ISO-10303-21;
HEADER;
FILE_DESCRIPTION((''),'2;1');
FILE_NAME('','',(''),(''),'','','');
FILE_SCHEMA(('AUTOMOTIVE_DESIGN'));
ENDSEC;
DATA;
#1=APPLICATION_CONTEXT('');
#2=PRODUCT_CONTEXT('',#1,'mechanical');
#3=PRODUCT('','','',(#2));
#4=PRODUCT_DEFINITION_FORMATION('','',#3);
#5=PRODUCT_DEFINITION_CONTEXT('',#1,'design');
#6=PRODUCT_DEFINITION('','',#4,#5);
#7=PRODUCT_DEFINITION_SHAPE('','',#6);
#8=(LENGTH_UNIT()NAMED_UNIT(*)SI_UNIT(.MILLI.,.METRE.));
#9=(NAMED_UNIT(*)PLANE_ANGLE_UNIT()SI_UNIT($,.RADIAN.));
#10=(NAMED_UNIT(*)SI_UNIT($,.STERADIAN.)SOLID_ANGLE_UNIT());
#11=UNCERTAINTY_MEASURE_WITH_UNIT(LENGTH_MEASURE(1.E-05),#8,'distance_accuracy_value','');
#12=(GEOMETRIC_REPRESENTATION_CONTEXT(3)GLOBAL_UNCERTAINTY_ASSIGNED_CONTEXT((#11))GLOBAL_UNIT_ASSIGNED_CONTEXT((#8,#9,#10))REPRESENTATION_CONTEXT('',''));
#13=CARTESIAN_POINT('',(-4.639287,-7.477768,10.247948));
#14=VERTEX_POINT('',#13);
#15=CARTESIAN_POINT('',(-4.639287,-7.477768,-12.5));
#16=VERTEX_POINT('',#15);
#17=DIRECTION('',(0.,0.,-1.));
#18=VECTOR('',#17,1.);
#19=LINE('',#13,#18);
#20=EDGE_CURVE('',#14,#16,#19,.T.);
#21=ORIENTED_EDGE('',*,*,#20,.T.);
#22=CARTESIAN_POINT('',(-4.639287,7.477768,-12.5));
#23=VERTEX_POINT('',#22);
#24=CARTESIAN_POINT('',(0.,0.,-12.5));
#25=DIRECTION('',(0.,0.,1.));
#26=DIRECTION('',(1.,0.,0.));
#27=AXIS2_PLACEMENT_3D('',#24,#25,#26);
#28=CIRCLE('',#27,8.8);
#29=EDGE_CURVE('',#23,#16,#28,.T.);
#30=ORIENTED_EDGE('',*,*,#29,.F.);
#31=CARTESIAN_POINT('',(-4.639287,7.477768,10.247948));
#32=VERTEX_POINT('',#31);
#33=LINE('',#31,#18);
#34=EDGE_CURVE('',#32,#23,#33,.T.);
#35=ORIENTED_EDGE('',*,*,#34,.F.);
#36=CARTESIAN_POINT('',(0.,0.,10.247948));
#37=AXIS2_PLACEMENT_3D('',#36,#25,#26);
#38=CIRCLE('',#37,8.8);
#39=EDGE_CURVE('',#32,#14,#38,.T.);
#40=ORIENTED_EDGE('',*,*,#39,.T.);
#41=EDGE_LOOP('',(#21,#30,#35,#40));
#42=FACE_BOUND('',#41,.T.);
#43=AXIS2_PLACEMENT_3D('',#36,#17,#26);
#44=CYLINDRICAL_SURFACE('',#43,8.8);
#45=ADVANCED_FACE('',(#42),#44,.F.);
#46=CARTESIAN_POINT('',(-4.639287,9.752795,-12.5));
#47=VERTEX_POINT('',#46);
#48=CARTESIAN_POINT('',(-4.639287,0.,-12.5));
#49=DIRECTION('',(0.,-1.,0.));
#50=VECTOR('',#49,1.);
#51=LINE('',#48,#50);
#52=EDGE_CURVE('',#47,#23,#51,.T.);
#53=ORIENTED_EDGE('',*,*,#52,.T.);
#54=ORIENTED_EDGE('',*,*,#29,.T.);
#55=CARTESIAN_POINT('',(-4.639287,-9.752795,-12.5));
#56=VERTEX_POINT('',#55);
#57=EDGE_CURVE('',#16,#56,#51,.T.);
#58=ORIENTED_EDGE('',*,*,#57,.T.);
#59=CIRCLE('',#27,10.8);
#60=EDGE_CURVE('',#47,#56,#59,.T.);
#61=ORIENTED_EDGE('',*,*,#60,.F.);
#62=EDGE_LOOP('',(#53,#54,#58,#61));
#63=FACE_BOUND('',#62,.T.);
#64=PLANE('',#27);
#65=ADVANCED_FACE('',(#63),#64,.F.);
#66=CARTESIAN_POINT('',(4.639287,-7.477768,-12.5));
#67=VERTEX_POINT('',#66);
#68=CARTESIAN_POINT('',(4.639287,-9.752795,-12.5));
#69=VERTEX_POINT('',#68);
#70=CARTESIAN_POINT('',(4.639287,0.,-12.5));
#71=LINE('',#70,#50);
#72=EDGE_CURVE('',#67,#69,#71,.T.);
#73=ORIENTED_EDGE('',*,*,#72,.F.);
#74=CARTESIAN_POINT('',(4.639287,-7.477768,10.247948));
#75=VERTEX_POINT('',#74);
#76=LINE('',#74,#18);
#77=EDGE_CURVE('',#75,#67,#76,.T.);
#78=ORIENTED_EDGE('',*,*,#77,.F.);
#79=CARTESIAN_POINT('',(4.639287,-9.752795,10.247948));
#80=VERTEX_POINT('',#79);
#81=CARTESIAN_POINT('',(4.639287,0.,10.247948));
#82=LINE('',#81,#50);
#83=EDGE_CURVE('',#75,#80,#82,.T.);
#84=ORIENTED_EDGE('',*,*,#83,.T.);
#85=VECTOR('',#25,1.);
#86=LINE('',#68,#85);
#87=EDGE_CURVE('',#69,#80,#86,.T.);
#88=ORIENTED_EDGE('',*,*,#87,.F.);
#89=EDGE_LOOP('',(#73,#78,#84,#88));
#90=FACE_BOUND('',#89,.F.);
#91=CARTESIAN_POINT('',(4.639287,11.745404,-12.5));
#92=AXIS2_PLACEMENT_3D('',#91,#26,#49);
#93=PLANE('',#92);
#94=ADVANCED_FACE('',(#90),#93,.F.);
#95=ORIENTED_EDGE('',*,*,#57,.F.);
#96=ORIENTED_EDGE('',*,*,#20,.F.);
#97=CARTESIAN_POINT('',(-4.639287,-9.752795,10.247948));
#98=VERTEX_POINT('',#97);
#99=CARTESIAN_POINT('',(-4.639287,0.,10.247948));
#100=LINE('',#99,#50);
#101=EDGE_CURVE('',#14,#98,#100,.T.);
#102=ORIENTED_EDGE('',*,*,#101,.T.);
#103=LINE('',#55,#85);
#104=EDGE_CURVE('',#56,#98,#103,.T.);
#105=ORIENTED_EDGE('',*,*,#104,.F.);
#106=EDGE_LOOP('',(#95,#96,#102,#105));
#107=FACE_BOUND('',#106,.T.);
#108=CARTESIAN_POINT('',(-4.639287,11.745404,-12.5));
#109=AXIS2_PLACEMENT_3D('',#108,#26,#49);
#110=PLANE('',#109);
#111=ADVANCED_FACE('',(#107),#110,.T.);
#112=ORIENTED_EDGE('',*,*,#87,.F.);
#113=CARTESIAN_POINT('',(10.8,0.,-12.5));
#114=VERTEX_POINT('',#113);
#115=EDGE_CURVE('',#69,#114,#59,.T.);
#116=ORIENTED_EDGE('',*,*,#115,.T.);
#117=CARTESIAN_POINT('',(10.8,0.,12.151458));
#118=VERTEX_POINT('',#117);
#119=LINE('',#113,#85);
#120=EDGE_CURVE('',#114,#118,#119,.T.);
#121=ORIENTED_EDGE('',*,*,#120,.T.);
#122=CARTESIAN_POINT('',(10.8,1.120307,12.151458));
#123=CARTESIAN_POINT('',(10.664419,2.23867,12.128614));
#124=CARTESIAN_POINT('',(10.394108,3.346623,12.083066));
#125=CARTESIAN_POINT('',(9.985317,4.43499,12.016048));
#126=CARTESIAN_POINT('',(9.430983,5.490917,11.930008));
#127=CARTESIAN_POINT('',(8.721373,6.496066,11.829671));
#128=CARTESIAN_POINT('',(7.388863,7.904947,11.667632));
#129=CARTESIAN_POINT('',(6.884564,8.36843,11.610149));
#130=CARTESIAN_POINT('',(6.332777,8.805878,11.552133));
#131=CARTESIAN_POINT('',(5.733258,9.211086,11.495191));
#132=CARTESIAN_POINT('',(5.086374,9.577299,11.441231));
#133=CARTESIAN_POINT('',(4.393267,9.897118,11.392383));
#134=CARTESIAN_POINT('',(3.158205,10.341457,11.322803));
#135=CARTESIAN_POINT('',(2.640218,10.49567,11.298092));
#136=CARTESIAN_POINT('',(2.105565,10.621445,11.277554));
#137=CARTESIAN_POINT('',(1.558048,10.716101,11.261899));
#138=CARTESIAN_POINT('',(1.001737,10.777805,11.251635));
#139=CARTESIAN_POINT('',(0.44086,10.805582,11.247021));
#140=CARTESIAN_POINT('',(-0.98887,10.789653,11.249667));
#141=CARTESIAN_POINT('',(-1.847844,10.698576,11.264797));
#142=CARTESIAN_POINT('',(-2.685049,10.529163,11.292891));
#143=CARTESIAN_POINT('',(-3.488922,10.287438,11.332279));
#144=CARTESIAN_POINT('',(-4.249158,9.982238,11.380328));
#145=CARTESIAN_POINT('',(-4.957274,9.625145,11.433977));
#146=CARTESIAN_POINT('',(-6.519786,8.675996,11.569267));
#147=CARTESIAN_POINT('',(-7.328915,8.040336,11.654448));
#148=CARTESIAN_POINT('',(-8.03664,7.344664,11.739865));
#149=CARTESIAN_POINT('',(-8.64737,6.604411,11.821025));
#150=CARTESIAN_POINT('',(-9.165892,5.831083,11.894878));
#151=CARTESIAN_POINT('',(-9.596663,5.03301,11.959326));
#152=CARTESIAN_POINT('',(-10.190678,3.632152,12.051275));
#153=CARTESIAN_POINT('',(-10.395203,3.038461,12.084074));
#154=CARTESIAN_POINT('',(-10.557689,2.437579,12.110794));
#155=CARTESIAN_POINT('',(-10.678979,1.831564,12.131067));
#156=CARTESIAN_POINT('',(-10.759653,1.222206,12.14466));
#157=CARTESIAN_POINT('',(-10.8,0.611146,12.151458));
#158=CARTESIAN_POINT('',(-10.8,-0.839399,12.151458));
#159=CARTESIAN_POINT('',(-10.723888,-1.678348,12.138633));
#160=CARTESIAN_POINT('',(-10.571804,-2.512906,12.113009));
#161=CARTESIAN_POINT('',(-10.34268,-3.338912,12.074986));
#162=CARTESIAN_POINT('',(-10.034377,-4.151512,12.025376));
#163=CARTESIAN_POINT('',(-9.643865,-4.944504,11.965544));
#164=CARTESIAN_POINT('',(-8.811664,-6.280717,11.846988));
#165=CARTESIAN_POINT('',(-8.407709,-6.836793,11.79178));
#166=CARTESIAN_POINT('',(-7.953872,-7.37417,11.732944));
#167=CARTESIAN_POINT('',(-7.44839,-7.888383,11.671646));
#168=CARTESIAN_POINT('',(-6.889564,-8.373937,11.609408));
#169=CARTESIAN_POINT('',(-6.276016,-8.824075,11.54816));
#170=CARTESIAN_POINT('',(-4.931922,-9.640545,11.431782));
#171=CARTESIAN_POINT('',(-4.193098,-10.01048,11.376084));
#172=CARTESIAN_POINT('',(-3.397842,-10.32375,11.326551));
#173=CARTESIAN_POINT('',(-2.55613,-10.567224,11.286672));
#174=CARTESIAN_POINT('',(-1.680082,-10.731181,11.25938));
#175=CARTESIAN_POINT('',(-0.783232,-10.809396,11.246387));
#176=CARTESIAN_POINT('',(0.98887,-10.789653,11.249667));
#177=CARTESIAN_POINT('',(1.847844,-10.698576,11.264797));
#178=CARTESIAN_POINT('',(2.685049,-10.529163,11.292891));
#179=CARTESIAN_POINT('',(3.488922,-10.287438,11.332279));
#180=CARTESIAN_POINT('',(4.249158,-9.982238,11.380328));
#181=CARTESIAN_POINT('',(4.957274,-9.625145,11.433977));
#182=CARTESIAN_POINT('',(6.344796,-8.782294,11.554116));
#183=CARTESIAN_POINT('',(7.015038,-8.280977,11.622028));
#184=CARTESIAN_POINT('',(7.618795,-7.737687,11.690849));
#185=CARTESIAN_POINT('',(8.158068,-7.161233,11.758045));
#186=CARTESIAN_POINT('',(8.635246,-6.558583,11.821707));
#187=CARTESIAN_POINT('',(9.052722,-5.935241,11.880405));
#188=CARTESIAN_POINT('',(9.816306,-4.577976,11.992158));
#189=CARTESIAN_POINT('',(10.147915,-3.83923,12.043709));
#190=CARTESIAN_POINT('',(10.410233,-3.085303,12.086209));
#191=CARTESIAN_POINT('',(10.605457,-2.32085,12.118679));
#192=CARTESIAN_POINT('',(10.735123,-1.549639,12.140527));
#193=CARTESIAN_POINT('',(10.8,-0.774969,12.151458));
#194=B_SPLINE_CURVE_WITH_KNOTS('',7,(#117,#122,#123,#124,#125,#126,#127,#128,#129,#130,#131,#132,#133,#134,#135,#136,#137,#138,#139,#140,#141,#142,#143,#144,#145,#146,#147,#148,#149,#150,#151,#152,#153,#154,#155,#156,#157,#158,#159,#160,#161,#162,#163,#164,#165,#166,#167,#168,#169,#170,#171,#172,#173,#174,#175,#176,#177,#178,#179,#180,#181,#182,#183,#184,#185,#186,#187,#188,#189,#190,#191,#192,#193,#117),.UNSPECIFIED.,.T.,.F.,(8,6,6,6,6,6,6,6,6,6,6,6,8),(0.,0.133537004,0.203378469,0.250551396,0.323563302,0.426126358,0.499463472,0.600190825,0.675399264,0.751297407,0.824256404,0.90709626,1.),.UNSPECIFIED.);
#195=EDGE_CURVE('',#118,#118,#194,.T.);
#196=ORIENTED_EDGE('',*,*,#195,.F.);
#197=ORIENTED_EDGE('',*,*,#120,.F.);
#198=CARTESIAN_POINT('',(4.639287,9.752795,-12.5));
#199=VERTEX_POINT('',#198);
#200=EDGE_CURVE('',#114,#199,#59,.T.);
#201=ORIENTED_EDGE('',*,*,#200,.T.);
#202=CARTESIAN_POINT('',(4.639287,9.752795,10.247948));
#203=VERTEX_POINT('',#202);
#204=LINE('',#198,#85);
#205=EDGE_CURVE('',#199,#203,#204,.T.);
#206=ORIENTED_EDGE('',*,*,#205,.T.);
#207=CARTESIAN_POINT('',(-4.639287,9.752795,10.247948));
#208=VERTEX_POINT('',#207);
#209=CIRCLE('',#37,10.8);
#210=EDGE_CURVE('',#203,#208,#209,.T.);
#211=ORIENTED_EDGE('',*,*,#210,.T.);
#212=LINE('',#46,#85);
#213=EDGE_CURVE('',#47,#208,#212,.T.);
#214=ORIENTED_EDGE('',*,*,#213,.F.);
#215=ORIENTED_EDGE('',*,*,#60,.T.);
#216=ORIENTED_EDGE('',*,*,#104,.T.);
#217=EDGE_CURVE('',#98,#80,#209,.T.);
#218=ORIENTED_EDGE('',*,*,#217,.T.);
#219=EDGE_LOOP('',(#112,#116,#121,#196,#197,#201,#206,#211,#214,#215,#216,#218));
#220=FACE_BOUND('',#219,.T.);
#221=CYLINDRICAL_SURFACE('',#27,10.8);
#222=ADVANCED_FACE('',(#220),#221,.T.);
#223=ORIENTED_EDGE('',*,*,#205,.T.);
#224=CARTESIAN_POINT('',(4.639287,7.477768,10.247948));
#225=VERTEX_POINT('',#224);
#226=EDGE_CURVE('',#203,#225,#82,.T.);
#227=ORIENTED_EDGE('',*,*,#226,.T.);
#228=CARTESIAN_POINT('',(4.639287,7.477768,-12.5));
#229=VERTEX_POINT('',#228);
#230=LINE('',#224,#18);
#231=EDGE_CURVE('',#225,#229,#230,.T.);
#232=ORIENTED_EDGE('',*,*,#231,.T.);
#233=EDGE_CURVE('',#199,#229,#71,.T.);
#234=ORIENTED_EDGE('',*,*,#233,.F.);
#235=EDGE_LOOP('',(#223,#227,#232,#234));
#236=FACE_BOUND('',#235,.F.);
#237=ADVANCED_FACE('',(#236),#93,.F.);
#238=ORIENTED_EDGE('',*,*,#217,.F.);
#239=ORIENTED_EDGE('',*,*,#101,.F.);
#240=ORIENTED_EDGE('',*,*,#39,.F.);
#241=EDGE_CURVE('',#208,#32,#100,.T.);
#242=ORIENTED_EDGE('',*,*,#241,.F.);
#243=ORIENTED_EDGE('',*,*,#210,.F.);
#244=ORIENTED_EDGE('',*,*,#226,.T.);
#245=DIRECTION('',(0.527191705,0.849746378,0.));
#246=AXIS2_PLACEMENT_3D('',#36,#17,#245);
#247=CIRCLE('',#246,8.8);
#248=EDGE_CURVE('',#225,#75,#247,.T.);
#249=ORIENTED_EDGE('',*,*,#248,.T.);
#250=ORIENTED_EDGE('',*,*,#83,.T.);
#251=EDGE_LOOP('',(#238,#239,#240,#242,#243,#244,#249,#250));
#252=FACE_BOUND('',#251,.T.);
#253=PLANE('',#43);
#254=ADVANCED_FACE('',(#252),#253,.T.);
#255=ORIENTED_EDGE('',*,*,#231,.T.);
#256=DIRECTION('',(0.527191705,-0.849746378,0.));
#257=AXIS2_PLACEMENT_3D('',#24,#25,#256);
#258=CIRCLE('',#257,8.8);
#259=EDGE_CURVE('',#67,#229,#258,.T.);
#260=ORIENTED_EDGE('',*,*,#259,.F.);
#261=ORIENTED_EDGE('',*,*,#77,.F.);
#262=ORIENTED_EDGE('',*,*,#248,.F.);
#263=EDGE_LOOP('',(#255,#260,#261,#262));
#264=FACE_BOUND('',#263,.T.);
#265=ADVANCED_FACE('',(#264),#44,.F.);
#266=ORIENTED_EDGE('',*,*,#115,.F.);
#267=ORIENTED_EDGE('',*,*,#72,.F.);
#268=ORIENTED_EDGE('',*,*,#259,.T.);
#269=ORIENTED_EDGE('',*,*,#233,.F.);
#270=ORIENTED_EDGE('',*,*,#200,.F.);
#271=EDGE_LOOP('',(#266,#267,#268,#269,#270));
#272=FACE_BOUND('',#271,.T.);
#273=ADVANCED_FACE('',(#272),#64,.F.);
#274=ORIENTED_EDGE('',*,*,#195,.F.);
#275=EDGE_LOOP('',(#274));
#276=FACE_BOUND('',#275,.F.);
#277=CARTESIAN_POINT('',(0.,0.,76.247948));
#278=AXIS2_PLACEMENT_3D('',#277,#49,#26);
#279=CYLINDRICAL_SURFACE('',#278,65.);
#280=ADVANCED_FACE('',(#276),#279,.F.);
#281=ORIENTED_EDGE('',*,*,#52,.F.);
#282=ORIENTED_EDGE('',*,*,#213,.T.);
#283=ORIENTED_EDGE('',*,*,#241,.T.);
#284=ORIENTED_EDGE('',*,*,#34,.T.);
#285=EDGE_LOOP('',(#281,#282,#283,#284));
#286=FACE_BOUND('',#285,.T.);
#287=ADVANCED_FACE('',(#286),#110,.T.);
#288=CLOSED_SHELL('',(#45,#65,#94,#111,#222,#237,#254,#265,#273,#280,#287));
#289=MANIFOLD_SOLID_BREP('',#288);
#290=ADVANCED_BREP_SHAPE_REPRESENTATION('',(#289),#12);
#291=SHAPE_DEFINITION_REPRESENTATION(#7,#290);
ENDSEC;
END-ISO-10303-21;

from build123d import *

# Parameters (mm, degrees)
F2_W     = 9.278574
F2_H     = 23.490808
F3_DEPTH = 22.747948
F4_R     = 65
F5_DEPTH = 12.5


with BuildPart() as f1:
    # F0 (on Front) → F1 (revolve)
    with BuildSketch(Plane.XZ):
        Polygon((10.8, -12.5), (10.8, 15.247948), (0, 15.247948), (0, 10.247948), (8.8, 10.247948), (8.8, -11.752052), (8.8, -12.5), align=None)
    revolve(axis=Axis((0, 0, 12.181249), (0, 0, 1)))

    # F2 (on face) → F3 (cut, through all)
    with BuildSketch(Plane(origin=(0, 0, -12.5), x_dir=(1, 0, 0), z_dir=(0, 0, -1))):
        Rectangle(F2_W, F2_H)
    extrude(amount=-F3_DEPTH, mode=Mode.SUBTRACT)

    # F4 (on Front) → F5 (cut, symmetric)
    with BuildSketch(Plane.XZ):
        with Locations((0, 76.247948)):
            Circle(F4_R)
    extrude(amount=F5_DEPTH, both=True, mode=Mode.SUBTRACT)


solid = f1.part
